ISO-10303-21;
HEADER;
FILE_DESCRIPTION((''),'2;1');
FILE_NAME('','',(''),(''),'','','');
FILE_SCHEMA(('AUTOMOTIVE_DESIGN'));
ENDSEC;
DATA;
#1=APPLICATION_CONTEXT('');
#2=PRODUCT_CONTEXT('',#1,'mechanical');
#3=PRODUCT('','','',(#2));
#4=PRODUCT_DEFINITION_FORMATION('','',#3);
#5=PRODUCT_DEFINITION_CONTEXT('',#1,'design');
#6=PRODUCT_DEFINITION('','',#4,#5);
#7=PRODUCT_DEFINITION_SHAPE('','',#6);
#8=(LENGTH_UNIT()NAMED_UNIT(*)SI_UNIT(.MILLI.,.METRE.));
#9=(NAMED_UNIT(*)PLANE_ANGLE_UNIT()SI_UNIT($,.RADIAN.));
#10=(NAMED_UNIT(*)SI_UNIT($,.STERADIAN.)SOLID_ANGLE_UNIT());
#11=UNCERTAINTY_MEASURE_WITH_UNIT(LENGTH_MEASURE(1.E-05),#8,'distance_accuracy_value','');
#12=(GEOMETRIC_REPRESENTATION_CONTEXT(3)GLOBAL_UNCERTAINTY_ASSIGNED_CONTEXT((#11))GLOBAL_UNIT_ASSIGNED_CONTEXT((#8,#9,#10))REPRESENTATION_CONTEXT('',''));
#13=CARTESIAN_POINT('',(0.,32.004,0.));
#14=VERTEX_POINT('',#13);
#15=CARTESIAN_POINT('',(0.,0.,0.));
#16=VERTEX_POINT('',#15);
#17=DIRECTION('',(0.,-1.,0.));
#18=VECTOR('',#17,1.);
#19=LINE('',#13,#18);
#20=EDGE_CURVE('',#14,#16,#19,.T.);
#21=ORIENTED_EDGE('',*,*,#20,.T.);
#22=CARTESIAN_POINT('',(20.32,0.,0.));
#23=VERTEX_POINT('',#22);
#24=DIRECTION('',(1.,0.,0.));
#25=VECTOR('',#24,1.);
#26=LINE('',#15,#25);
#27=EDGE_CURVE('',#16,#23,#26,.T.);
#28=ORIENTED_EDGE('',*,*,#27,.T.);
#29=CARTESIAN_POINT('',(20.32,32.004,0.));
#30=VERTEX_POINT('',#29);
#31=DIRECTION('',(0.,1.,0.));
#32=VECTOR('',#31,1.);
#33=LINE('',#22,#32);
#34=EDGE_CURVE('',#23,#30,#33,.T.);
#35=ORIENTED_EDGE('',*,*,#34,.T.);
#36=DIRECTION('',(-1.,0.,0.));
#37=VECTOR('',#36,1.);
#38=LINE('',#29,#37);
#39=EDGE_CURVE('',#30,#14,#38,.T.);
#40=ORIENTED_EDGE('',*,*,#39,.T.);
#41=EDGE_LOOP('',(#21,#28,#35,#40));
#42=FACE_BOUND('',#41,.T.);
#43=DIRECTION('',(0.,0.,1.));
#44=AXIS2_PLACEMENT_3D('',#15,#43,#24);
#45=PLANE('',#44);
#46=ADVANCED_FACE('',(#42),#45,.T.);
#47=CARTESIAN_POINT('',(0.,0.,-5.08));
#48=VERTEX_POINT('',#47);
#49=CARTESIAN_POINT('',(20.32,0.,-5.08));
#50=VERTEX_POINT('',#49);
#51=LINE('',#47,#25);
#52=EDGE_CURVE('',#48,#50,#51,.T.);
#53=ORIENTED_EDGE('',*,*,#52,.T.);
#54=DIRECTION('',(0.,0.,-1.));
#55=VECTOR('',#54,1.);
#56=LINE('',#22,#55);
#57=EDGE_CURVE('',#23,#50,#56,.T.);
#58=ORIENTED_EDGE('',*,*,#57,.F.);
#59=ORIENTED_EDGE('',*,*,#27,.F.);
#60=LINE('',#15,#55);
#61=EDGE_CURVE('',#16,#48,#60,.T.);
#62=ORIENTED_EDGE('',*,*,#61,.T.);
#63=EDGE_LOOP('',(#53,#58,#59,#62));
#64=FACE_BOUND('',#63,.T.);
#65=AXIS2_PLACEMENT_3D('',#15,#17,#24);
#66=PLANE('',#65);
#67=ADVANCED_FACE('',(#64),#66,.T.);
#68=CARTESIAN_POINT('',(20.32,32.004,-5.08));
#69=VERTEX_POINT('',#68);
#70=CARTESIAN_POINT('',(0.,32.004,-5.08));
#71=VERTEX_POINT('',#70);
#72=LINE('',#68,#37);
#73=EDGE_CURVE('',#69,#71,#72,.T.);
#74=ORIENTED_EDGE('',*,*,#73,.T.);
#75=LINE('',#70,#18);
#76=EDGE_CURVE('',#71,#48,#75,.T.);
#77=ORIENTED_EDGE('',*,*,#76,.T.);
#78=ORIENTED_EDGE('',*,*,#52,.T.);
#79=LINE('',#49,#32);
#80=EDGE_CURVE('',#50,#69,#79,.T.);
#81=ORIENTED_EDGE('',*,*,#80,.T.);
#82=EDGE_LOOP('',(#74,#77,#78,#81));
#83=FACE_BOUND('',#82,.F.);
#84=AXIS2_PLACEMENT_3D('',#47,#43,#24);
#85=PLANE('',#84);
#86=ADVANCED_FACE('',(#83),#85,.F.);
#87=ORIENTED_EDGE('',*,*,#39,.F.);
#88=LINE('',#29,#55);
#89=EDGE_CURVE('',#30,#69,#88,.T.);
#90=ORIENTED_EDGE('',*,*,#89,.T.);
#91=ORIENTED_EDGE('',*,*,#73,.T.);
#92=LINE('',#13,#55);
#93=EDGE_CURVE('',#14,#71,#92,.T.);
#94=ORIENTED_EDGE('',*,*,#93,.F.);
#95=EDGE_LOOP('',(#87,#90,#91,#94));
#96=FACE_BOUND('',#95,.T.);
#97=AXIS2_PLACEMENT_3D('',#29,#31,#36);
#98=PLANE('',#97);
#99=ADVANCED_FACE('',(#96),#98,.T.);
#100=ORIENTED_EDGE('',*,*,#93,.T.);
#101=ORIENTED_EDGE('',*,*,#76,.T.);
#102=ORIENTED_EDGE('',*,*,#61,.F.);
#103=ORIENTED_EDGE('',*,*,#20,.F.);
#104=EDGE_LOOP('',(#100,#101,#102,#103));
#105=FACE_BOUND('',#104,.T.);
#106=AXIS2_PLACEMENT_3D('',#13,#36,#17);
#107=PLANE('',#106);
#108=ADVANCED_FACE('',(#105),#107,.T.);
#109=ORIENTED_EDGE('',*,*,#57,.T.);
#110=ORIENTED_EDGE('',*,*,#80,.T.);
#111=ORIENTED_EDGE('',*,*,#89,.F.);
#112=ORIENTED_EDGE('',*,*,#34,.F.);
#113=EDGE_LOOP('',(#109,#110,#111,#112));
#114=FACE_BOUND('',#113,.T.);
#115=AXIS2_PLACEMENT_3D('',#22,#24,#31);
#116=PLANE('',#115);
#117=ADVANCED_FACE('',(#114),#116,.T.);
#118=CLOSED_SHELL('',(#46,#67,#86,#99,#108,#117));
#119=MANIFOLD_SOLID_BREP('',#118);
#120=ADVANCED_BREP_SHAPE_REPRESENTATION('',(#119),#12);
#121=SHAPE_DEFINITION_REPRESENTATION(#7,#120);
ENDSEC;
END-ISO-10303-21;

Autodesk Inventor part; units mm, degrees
ref_plane "YZ Plane" through (0, 0, 0) normal (1, 0, 0) x (0, 1, 0)
ref_plane "XZ Plane" through (0, 0, 0) normal (0, 1, 0) x (-1, 0, 0)
ref_plane "XY Plane" through (0, 0, 0) normal (0, 0, 1) x (1, 0, 0)
sketch "Sketch1" plane through (0, 0, 0) normal (0, 0, 1) x (1, 0, 0)
  line L0 (0, 0) -> (20.32, 0)
  line L1 (20.32, 0) -> (20.32, 32.004)
  line L2 (20.32, 32.004) -> (0, 32.004)
  line L3 (0, 32.004) -> (0, 0)
  dimension "d0" = 20.32
  dimension "d1" = 32.004
extrude "Extrusion1" add sketch "Sketch1" against normal blind 5.08
properties part number "2479 Adafruit Bluefruit LE UART Friend"
